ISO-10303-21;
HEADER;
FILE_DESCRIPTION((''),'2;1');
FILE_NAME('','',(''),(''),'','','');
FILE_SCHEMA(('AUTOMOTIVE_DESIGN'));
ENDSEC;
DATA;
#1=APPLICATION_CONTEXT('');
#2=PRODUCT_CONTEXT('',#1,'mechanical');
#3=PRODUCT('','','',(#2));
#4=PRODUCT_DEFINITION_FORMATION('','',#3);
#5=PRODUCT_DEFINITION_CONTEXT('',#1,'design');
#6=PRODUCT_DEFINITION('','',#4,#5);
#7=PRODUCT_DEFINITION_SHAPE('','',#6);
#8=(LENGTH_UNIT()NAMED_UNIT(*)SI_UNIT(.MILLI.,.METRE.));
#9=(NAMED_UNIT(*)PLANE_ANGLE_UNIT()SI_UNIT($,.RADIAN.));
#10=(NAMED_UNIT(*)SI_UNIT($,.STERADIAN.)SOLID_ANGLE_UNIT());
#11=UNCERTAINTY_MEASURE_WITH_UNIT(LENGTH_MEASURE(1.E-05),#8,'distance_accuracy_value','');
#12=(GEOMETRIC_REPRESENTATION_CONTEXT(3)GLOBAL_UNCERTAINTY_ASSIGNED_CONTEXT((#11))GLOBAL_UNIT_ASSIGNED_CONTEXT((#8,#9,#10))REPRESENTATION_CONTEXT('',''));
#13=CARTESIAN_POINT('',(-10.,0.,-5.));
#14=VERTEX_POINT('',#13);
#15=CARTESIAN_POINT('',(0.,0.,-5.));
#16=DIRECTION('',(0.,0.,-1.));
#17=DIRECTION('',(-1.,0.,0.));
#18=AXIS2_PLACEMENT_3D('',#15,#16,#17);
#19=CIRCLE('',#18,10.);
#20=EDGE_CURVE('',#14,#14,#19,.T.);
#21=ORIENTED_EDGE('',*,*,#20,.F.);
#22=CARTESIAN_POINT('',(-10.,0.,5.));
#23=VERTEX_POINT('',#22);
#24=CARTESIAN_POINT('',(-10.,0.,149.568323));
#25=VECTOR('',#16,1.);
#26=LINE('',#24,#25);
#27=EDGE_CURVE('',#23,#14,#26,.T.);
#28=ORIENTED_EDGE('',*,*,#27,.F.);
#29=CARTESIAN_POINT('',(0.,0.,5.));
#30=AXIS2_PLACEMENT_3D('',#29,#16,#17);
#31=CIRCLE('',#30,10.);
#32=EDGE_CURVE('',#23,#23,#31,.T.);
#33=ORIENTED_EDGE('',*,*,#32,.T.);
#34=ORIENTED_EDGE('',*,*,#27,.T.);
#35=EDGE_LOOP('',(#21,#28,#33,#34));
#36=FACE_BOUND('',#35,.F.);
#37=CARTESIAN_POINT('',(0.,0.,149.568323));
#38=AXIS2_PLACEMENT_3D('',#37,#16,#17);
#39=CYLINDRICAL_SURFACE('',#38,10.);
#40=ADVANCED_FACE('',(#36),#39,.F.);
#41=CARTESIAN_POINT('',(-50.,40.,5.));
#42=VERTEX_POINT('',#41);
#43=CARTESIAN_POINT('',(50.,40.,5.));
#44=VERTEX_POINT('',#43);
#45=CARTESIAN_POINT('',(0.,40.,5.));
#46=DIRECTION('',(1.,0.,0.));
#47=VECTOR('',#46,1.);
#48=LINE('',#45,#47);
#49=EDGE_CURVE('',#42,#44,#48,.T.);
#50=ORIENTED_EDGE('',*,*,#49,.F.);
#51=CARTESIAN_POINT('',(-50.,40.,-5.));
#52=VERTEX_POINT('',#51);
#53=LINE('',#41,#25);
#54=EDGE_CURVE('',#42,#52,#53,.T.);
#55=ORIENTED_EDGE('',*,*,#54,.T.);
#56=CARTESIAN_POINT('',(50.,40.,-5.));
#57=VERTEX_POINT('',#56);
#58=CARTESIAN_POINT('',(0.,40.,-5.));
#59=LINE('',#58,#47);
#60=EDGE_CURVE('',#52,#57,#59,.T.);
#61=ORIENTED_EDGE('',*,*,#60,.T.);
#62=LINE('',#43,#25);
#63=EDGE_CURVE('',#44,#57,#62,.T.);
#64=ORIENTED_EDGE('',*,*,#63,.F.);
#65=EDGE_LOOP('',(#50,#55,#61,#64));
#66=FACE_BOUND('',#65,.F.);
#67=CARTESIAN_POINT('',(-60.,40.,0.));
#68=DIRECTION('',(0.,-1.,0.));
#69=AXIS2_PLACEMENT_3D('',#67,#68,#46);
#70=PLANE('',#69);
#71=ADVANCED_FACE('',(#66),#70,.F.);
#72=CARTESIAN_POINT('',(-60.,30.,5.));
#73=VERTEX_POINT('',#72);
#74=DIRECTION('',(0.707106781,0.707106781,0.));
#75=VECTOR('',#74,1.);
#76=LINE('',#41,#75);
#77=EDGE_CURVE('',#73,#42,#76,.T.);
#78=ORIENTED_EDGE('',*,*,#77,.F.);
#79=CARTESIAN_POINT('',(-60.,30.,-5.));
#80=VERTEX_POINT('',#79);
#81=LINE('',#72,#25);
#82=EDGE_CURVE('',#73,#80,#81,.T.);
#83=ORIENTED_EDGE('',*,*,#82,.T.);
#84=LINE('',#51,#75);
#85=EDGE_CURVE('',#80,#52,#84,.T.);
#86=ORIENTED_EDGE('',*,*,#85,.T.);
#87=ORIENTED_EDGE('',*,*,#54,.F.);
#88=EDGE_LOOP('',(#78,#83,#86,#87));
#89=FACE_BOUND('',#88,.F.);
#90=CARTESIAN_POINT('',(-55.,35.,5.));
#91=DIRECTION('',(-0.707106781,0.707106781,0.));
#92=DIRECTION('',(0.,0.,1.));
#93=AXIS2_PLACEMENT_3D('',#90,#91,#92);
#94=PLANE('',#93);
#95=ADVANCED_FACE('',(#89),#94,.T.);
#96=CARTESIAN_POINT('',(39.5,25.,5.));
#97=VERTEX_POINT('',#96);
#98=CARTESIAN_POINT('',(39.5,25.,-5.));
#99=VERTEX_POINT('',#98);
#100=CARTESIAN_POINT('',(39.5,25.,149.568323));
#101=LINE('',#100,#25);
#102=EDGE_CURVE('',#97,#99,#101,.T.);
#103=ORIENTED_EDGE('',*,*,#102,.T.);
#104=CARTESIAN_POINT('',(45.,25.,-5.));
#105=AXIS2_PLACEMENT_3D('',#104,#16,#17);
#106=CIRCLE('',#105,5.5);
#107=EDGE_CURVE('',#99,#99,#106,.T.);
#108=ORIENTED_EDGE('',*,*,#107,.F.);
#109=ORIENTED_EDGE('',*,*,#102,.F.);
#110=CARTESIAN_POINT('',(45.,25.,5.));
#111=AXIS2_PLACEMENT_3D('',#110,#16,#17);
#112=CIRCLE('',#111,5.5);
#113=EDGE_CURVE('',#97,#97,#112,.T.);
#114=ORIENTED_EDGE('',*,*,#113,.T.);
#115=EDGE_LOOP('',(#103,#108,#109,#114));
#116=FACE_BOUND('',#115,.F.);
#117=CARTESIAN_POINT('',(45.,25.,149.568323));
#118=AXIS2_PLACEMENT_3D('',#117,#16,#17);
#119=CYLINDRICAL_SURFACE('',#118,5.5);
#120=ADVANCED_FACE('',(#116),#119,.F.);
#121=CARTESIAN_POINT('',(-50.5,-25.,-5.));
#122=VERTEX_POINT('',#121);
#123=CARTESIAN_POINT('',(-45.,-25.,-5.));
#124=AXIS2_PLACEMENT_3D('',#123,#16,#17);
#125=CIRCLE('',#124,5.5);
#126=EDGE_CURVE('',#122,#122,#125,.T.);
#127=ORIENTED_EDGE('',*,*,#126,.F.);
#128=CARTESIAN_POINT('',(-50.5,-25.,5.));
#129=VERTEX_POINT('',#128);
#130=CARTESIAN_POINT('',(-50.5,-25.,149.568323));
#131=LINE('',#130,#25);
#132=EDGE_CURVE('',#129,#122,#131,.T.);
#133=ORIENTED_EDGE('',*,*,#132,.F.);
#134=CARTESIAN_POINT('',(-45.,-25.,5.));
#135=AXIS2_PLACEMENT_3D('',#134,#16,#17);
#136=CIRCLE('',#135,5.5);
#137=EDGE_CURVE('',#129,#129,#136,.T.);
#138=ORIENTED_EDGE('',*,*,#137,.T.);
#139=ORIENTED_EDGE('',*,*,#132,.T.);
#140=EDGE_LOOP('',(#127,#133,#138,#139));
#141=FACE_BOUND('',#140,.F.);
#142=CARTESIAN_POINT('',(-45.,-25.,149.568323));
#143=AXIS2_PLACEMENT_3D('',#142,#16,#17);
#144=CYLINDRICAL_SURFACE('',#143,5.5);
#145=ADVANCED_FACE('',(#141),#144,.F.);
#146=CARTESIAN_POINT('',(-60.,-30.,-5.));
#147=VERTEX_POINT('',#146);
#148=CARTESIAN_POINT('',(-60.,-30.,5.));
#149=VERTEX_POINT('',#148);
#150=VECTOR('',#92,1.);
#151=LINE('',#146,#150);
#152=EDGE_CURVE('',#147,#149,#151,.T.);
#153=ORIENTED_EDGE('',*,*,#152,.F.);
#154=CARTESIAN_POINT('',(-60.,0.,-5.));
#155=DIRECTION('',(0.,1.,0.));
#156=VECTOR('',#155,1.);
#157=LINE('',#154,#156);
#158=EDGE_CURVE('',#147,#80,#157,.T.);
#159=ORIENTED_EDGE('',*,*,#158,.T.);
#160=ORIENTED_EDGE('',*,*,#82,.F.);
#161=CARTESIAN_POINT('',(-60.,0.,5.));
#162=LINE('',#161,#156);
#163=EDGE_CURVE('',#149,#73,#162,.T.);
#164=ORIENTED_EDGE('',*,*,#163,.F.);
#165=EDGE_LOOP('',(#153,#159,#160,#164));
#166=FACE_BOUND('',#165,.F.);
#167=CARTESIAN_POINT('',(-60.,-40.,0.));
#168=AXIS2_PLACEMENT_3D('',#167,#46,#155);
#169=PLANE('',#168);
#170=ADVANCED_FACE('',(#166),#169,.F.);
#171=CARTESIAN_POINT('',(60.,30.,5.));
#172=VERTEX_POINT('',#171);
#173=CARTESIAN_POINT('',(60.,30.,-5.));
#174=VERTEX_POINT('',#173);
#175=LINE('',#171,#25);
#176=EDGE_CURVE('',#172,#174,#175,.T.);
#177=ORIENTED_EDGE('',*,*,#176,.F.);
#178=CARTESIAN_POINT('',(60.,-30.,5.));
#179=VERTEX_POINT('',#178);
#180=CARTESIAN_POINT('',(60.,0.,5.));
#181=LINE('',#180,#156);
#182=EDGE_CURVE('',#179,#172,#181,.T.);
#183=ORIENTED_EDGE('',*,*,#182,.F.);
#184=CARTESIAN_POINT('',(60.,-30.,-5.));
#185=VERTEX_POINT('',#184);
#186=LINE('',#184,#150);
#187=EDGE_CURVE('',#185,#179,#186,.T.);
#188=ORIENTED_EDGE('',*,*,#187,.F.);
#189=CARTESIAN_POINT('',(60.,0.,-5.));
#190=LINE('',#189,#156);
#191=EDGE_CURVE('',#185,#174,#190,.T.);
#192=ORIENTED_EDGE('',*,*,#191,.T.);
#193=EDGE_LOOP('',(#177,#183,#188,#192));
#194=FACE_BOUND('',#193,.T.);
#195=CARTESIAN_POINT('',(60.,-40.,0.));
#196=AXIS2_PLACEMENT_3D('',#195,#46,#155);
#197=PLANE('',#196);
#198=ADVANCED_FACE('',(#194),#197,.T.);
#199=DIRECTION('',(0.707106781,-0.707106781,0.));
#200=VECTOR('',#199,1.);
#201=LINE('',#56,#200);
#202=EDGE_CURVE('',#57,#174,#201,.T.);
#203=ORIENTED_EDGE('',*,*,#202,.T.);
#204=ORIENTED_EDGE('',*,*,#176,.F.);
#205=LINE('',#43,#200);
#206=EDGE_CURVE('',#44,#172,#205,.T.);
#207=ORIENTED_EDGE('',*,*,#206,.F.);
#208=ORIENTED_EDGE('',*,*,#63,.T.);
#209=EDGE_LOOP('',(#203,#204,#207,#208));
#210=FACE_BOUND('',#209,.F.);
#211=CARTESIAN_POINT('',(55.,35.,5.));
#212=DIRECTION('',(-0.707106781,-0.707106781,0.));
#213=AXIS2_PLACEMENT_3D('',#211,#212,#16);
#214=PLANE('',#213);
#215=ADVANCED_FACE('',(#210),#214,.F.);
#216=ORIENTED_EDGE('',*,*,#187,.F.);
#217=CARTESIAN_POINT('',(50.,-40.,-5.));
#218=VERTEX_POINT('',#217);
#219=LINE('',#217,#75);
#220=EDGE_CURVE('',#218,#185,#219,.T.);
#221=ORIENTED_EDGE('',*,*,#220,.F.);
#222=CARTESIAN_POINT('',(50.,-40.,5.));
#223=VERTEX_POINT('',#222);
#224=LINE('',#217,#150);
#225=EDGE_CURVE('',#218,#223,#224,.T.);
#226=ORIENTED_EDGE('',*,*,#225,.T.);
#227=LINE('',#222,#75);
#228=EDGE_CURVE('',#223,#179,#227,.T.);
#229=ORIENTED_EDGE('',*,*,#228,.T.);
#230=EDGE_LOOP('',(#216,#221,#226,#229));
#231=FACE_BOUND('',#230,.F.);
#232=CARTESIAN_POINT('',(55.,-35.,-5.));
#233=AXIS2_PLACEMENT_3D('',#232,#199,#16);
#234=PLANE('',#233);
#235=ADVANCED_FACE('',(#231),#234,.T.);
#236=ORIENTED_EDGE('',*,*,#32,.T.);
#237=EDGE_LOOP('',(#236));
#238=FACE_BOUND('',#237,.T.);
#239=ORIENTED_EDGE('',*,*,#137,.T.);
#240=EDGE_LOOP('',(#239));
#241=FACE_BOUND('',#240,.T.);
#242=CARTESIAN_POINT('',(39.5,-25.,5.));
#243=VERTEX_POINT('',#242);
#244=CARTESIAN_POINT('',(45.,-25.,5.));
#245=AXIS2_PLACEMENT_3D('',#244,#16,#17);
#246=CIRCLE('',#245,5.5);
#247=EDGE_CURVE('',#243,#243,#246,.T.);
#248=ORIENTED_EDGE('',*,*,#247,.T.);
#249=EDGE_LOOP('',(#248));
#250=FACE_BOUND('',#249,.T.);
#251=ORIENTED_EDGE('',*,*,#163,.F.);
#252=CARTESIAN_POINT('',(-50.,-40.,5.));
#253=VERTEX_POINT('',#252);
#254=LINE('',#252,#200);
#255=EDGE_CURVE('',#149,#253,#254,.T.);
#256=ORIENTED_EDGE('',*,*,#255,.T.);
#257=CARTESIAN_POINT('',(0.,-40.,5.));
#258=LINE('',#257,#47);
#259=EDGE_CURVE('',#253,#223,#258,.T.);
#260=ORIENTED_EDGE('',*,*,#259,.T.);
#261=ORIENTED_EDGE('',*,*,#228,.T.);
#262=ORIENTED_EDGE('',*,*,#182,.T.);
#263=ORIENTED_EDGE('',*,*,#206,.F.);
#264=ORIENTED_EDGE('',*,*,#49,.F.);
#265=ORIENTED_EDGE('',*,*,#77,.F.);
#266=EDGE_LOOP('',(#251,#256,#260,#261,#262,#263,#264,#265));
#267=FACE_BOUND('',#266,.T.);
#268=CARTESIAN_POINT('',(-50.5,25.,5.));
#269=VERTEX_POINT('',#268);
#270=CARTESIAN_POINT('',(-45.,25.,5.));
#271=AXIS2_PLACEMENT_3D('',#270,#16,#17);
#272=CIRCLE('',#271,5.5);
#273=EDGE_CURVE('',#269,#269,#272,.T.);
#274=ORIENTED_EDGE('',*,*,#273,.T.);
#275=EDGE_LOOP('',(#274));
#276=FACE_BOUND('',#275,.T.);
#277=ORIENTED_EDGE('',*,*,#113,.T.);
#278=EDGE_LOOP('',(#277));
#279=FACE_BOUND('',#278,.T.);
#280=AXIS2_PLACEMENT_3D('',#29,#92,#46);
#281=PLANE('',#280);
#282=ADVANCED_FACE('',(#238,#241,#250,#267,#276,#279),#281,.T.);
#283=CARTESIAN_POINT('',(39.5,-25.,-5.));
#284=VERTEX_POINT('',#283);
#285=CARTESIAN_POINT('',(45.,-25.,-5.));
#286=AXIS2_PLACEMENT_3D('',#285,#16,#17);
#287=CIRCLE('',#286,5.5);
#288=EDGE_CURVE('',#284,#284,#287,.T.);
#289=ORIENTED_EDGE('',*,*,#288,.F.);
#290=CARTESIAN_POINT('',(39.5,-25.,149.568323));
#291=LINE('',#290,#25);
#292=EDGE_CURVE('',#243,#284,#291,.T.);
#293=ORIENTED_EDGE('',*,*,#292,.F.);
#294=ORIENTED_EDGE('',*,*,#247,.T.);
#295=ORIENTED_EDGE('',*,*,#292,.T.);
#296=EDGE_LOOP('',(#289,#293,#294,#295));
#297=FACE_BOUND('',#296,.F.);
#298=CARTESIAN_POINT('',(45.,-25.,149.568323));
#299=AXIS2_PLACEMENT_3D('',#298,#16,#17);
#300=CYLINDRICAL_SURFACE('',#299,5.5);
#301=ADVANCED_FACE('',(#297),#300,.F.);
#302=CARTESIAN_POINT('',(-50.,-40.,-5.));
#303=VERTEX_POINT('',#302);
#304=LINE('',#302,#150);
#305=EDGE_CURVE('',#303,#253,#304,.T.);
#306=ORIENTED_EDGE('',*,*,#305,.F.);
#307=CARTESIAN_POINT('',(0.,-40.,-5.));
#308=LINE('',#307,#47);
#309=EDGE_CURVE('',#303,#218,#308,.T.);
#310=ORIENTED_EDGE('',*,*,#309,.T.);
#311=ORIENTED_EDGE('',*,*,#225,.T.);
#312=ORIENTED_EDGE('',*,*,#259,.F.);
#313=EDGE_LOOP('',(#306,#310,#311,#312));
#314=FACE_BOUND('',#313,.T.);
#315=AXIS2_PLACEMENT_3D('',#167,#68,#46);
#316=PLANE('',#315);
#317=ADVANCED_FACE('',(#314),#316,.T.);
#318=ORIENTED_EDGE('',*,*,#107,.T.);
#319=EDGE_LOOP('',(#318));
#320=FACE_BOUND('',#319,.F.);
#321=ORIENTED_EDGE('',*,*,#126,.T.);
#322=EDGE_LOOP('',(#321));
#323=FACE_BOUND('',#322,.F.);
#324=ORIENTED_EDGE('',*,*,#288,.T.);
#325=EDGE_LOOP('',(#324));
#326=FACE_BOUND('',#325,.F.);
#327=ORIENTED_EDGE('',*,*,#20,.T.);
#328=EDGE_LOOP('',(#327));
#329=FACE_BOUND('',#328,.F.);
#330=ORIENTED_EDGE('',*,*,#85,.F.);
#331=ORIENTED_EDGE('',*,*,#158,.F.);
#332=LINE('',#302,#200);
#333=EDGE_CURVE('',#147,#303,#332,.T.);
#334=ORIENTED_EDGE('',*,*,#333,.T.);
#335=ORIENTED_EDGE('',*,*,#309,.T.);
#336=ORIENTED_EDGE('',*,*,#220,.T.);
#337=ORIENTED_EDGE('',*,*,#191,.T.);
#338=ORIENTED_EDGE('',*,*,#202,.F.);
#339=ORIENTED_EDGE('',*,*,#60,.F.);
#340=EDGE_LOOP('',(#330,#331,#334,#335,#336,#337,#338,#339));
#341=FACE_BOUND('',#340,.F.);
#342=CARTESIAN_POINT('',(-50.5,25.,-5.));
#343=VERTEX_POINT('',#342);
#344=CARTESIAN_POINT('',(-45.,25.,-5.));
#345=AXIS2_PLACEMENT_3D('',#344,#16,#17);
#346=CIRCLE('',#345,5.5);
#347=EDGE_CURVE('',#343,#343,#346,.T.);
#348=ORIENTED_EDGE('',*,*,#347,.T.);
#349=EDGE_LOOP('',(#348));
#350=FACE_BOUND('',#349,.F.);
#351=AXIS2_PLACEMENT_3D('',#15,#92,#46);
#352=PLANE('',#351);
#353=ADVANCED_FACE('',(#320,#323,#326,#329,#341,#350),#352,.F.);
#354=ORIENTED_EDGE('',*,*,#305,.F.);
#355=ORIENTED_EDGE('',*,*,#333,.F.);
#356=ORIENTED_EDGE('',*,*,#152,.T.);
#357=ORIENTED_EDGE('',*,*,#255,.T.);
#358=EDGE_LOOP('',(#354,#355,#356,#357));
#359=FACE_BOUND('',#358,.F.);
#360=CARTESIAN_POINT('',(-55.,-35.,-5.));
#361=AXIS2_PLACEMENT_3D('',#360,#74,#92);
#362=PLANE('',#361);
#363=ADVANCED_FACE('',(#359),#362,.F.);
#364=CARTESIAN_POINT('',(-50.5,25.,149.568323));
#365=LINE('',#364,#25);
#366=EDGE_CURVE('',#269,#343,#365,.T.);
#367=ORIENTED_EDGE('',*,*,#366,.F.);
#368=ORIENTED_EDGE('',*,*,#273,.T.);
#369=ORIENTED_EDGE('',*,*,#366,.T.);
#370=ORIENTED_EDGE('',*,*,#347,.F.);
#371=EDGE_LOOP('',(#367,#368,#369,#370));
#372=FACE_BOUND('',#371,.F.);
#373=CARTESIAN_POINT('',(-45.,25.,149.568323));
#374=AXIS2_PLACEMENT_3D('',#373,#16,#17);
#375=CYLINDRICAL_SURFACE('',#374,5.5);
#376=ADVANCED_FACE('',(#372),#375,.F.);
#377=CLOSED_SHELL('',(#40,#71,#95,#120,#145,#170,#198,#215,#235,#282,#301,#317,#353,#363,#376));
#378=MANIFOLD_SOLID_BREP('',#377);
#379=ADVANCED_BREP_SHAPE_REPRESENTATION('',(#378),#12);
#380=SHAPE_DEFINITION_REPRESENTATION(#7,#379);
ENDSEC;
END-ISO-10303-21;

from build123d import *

# Parameters (mm, degrees)
F0_W     = 120
F0_H     = 80
F1_DEPTH = 5
F3_D     = 11
F4_D     = 20
F5_SIZE  = 10


with BuildPart() as f1:
    # F0 (on Top) → F1 (new body, symmetric)
    with BuildSketch(Plane.XY):
        Rectangle(F0_W, F0_H)
    extrude(amount=F1_DEPTH, both=True)

    # F3 (through all)
    with Locations(Plane.XY.offset(5)):
        with Locations((-45, 25), (45, 25), (45, -25), (-45, -25)):
            Hole(F3_D / 2)

    # F4 (through all)
    with Locations(Plane.XY.offset(5)):
        with Locations((0, 0)):
            Hole(F4_D / 2)

    # F5
    f5_edges = [f1.edges().sort_by_distance(p)[0] for p in [
        (-60, -40, 0),
        (-60, 40, 0),
        (60, -40, 0),
        (60, 40, 0),
    ]]
    chamfer(f5_edges, length=F5_SIZE)


solid = f1.part
